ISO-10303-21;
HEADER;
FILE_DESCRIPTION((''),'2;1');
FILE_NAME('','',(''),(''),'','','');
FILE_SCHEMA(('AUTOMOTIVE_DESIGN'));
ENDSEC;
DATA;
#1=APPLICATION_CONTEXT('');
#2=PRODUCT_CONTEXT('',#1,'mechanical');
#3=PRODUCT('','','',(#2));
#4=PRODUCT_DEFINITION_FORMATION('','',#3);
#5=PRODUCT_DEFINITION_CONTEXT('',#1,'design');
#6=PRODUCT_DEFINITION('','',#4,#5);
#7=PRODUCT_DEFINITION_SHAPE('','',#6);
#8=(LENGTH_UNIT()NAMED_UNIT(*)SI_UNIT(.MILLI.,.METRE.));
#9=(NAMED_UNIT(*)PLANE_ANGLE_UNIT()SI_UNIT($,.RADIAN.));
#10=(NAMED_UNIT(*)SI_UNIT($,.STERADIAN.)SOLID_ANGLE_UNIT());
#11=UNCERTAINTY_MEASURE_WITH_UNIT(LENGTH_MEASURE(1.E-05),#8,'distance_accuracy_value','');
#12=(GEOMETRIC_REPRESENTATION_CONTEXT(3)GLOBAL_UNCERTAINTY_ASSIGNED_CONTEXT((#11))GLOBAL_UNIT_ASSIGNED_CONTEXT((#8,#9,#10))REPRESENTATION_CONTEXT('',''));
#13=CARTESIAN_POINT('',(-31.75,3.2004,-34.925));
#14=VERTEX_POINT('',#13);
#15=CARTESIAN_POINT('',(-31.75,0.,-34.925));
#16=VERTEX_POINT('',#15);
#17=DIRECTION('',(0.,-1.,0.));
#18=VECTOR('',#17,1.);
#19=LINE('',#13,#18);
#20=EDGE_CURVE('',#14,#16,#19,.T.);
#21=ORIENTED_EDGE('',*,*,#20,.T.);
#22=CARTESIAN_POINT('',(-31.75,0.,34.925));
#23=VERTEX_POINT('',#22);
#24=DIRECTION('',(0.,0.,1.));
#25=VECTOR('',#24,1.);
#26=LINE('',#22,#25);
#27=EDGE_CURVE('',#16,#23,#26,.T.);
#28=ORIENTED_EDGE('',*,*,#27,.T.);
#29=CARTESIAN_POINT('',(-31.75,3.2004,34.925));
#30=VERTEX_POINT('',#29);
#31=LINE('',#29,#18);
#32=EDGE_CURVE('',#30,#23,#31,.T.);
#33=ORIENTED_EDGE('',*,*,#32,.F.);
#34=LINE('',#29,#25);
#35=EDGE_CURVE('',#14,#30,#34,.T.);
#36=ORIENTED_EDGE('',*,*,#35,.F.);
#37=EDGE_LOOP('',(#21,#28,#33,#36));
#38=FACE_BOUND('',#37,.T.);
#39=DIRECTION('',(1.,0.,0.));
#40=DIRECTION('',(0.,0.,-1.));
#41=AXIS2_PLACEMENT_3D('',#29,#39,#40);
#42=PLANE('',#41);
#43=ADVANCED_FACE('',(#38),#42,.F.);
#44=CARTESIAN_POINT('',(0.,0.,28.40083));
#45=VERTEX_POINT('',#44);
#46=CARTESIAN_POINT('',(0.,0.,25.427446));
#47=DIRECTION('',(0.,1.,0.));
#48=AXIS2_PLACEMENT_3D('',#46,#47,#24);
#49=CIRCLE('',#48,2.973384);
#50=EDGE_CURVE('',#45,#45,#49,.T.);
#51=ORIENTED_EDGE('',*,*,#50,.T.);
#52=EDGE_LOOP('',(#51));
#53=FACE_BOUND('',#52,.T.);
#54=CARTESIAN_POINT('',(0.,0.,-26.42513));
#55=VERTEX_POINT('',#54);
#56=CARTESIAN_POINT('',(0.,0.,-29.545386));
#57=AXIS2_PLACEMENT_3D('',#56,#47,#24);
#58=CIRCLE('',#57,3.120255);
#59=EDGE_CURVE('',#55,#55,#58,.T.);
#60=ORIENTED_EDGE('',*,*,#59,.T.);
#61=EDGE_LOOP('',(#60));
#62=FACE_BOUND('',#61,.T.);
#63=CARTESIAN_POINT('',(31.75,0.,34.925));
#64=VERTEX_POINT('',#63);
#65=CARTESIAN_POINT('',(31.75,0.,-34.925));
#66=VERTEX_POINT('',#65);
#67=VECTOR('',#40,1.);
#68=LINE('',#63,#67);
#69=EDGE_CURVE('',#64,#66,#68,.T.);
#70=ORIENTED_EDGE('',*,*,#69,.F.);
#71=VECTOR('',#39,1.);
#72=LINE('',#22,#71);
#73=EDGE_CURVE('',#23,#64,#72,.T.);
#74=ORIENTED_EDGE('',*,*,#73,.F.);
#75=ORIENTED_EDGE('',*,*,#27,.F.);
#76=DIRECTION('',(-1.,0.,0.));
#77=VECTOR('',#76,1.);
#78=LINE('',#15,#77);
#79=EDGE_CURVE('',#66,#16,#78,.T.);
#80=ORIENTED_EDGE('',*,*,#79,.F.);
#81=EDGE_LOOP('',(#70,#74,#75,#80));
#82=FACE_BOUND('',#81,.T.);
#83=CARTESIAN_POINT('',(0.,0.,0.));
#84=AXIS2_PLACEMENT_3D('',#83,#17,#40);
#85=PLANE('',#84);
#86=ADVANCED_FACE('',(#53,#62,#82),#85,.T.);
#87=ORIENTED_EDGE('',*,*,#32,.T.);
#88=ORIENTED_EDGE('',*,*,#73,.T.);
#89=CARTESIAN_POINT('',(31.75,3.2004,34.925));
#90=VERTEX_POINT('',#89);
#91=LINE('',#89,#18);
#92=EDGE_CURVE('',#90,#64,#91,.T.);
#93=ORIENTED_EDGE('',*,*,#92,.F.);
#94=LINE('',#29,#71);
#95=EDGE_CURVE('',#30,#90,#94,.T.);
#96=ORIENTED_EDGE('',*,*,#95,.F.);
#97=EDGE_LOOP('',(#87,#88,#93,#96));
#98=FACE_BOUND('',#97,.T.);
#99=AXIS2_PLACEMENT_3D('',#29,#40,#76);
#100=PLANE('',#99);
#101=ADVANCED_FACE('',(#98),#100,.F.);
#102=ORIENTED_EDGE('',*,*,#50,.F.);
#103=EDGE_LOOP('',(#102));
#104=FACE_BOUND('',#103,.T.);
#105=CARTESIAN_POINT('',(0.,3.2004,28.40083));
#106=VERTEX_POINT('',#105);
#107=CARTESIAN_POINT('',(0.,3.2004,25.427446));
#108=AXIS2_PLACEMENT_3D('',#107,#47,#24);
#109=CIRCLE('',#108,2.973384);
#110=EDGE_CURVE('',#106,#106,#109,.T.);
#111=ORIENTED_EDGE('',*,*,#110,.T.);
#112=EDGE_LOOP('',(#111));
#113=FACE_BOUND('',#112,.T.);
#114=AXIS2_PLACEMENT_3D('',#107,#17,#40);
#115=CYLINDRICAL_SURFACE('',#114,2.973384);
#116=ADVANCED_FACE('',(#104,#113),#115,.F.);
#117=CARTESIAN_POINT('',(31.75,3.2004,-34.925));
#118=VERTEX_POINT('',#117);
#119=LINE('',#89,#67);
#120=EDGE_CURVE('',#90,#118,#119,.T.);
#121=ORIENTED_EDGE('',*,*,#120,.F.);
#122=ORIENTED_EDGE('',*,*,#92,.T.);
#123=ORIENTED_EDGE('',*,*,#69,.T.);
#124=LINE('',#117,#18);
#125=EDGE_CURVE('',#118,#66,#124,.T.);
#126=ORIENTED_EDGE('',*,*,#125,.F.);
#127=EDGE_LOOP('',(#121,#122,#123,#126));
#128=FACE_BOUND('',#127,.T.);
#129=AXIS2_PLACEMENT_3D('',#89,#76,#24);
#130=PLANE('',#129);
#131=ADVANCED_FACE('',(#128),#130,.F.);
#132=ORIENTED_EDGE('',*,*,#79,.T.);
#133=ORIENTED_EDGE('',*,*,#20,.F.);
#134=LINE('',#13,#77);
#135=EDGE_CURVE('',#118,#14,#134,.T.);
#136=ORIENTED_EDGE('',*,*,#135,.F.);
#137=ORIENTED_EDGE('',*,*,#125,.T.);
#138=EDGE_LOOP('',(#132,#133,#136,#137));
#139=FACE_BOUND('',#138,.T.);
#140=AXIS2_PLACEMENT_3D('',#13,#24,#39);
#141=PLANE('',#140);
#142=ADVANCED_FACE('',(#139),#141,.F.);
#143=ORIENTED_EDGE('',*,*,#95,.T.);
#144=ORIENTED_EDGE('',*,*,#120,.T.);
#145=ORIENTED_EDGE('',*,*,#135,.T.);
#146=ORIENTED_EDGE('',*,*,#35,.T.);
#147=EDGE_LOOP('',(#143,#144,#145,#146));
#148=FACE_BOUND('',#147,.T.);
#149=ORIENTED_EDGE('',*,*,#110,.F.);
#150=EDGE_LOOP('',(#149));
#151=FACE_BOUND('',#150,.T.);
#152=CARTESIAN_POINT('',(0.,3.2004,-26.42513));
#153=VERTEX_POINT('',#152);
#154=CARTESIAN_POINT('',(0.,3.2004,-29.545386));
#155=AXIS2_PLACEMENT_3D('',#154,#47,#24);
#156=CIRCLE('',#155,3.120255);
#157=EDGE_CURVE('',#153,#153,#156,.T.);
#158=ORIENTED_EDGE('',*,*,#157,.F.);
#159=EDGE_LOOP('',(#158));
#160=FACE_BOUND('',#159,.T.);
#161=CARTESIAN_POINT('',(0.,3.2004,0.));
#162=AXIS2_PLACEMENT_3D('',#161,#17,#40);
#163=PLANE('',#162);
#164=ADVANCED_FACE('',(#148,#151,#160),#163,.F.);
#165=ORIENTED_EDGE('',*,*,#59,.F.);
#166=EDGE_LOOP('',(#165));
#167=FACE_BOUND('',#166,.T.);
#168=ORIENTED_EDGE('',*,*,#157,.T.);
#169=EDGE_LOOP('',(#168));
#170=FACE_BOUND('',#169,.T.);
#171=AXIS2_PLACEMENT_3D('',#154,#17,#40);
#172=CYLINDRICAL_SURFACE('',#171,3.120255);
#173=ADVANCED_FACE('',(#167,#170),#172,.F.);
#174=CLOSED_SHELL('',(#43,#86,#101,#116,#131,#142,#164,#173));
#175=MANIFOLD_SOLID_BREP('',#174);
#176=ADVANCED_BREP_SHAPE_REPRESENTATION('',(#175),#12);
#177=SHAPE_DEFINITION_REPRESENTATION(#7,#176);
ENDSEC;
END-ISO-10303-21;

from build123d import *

# Parameters (mm, degrees)
SKETCH1_W           = 63.5
SKETCH1_H           = 69.85
SKETCH1_R           = 2.973384152
SKETCH1_R_2         = 3.120255132
BOSS_EXTRUDE1_DEPTH = 3.2004


with BuildPart() as part:
    # Sketch1 → Boss-Extrude1 (new body)
    with BuildSketch(Plane(origin=(0, 0, 0), x_dir=(1, 0, 0), z_dir=(0, 1, 0))):
        Rectangle(SKETCH1_W, SKETCH1_H)
        with Locations(Location((0, -25.427446253, 0), (0, 0, 270))):
            Circle(SKETCH1_R, mode=Mode.SUBTRACT)
        with Locations(Location((0, 29.545385535, 0), (0, 0, 270))):
            Circle(SKETCH1_R_2, mode=Mode.SUBTRACT)
    extrude(amount=BOSS_EXTRUDE1_DEPTH)


solid = part.part
